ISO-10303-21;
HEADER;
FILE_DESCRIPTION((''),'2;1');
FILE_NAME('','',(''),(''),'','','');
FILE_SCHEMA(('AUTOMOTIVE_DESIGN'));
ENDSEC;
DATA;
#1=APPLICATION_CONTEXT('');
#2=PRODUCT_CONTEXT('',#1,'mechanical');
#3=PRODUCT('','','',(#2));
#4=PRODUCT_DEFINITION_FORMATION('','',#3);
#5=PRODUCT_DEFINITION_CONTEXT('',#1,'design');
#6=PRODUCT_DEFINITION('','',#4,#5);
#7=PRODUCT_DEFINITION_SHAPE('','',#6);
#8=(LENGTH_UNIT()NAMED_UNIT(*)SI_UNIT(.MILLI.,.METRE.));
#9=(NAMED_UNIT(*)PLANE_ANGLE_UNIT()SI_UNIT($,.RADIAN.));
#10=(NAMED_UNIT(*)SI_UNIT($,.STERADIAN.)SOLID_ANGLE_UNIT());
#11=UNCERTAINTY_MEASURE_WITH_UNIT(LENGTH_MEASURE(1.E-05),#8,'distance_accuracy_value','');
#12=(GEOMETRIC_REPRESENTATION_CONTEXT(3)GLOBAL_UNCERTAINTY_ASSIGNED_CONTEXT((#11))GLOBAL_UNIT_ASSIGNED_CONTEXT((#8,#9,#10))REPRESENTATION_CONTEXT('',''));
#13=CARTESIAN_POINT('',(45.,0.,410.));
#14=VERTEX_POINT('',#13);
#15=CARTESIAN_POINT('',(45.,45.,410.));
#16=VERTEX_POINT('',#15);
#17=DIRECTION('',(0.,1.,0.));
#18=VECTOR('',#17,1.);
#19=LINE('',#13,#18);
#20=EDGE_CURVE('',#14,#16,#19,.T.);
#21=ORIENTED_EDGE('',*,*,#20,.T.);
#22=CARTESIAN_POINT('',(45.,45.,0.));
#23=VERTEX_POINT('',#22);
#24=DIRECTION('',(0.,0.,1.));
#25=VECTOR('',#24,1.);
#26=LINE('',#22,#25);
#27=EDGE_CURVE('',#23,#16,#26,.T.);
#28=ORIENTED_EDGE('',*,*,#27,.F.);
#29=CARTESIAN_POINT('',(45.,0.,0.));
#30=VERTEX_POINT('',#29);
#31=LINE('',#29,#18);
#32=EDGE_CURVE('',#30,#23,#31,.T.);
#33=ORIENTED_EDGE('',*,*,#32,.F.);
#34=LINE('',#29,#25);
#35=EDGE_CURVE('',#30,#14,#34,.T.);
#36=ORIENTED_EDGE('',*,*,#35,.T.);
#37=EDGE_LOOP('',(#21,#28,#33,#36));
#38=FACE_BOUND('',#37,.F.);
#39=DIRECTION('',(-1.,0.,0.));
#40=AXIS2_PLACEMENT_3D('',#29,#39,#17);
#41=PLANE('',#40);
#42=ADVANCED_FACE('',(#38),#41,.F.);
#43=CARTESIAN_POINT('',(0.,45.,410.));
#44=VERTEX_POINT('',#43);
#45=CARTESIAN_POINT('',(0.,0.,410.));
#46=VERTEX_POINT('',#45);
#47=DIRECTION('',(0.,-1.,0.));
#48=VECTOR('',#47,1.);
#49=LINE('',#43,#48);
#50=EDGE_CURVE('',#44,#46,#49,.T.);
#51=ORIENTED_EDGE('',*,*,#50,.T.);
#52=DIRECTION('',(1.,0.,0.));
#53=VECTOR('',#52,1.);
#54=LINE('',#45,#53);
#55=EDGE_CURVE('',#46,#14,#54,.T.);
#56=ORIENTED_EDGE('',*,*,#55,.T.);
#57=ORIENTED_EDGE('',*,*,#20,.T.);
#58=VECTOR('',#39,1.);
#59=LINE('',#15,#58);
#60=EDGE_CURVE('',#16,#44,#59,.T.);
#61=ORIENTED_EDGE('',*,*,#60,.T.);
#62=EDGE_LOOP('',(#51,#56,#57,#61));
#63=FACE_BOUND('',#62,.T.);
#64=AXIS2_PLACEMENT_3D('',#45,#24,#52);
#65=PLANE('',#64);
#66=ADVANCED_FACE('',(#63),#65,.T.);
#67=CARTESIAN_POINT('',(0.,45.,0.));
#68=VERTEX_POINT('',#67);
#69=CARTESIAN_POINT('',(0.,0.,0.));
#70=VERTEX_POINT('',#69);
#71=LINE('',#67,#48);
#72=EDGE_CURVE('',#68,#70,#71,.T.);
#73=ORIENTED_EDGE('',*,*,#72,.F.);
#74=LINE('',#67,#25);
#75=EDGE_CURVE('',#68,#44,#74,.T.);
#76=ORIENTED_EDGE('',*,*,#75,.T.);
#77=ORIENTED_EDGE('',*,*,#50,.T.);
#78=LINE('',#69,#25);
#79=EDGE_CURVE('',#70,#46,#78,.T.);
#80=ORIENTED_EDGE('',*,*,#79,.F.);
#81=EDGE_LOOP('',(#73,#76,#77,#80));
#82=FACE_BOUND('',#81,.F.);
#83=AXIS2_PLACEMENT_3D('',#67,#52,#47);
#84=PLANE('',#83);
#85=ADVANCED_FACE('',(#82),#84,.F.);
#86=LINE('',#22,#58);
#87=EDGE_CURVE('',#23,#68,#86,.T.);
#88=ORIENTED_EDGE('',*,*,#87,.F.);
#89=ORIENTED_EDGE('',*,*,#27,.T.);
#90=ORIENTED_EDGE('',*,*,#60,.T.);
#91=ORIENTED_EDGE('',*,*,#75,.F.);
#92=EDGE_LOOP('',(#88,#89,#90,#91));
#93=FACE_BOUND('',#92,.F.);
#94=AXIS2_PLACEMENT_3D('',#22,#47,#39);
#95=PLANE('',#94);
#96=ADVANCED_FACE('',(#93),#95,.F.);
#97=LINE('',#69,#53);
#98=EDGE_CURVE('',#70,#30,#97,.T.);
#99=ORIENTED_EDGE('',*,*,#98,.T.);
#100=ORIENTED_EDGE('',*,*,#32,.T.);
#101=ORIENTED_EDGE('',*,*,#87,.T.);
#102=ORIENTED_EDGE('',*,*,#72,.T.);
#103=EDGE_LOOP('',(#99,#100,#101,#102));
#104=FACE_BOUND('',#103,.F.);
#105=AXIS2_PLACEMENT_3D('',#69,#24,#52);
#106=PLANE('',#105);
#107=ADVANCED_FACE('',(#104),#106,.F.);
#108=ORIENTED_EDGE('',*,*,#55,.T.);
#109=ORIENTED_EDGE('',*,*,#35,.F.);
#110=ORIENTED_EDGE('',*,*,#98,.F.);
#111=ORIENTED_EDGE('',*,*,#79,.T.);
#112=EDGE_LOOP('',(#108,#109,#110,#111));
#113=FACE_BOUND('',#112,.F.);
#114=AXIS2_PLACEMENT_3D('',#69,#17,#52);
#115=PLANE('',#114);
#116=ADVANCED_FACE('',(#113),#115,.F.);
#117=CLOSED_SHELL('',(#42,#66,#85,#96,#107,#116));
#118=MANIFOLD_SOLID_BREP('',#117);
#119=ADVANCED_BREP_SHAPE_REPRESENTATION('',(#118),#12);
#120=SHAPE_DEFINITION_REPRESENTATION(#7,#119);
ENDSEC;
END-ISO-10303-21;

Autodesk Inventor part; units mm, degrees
ref_plane "YZ Plane" through (0, 0, 0) normal (1, 0, 0) x (0, 1, 0)
ref_plane "XZ Plane" through (0, 0, 0) normal (0, 1, 0) x (-1, 0, 0)
ref_plane "XY Plane" through (0, 0, 0) normal (0, 0, 1) x (1, 0, 0)
sketch "Sketch2" plane through (0, 0, 0) normal (0, 0, 1) x (1, 0, 0)
  line L0 (0, 0) -> (45, 0)
  line L1 (45, 0) -> (45, 45)
  line L2 (45, 45) -> (0, 45)
  line L3 (0, 45) -> (0, 0)
  dimension "d4" = 45
  dimension "d5" = 45
extrude "Extrusion2" add sketch "Sketch2" along normal blind 410
properties part number "selfBeamLong"
